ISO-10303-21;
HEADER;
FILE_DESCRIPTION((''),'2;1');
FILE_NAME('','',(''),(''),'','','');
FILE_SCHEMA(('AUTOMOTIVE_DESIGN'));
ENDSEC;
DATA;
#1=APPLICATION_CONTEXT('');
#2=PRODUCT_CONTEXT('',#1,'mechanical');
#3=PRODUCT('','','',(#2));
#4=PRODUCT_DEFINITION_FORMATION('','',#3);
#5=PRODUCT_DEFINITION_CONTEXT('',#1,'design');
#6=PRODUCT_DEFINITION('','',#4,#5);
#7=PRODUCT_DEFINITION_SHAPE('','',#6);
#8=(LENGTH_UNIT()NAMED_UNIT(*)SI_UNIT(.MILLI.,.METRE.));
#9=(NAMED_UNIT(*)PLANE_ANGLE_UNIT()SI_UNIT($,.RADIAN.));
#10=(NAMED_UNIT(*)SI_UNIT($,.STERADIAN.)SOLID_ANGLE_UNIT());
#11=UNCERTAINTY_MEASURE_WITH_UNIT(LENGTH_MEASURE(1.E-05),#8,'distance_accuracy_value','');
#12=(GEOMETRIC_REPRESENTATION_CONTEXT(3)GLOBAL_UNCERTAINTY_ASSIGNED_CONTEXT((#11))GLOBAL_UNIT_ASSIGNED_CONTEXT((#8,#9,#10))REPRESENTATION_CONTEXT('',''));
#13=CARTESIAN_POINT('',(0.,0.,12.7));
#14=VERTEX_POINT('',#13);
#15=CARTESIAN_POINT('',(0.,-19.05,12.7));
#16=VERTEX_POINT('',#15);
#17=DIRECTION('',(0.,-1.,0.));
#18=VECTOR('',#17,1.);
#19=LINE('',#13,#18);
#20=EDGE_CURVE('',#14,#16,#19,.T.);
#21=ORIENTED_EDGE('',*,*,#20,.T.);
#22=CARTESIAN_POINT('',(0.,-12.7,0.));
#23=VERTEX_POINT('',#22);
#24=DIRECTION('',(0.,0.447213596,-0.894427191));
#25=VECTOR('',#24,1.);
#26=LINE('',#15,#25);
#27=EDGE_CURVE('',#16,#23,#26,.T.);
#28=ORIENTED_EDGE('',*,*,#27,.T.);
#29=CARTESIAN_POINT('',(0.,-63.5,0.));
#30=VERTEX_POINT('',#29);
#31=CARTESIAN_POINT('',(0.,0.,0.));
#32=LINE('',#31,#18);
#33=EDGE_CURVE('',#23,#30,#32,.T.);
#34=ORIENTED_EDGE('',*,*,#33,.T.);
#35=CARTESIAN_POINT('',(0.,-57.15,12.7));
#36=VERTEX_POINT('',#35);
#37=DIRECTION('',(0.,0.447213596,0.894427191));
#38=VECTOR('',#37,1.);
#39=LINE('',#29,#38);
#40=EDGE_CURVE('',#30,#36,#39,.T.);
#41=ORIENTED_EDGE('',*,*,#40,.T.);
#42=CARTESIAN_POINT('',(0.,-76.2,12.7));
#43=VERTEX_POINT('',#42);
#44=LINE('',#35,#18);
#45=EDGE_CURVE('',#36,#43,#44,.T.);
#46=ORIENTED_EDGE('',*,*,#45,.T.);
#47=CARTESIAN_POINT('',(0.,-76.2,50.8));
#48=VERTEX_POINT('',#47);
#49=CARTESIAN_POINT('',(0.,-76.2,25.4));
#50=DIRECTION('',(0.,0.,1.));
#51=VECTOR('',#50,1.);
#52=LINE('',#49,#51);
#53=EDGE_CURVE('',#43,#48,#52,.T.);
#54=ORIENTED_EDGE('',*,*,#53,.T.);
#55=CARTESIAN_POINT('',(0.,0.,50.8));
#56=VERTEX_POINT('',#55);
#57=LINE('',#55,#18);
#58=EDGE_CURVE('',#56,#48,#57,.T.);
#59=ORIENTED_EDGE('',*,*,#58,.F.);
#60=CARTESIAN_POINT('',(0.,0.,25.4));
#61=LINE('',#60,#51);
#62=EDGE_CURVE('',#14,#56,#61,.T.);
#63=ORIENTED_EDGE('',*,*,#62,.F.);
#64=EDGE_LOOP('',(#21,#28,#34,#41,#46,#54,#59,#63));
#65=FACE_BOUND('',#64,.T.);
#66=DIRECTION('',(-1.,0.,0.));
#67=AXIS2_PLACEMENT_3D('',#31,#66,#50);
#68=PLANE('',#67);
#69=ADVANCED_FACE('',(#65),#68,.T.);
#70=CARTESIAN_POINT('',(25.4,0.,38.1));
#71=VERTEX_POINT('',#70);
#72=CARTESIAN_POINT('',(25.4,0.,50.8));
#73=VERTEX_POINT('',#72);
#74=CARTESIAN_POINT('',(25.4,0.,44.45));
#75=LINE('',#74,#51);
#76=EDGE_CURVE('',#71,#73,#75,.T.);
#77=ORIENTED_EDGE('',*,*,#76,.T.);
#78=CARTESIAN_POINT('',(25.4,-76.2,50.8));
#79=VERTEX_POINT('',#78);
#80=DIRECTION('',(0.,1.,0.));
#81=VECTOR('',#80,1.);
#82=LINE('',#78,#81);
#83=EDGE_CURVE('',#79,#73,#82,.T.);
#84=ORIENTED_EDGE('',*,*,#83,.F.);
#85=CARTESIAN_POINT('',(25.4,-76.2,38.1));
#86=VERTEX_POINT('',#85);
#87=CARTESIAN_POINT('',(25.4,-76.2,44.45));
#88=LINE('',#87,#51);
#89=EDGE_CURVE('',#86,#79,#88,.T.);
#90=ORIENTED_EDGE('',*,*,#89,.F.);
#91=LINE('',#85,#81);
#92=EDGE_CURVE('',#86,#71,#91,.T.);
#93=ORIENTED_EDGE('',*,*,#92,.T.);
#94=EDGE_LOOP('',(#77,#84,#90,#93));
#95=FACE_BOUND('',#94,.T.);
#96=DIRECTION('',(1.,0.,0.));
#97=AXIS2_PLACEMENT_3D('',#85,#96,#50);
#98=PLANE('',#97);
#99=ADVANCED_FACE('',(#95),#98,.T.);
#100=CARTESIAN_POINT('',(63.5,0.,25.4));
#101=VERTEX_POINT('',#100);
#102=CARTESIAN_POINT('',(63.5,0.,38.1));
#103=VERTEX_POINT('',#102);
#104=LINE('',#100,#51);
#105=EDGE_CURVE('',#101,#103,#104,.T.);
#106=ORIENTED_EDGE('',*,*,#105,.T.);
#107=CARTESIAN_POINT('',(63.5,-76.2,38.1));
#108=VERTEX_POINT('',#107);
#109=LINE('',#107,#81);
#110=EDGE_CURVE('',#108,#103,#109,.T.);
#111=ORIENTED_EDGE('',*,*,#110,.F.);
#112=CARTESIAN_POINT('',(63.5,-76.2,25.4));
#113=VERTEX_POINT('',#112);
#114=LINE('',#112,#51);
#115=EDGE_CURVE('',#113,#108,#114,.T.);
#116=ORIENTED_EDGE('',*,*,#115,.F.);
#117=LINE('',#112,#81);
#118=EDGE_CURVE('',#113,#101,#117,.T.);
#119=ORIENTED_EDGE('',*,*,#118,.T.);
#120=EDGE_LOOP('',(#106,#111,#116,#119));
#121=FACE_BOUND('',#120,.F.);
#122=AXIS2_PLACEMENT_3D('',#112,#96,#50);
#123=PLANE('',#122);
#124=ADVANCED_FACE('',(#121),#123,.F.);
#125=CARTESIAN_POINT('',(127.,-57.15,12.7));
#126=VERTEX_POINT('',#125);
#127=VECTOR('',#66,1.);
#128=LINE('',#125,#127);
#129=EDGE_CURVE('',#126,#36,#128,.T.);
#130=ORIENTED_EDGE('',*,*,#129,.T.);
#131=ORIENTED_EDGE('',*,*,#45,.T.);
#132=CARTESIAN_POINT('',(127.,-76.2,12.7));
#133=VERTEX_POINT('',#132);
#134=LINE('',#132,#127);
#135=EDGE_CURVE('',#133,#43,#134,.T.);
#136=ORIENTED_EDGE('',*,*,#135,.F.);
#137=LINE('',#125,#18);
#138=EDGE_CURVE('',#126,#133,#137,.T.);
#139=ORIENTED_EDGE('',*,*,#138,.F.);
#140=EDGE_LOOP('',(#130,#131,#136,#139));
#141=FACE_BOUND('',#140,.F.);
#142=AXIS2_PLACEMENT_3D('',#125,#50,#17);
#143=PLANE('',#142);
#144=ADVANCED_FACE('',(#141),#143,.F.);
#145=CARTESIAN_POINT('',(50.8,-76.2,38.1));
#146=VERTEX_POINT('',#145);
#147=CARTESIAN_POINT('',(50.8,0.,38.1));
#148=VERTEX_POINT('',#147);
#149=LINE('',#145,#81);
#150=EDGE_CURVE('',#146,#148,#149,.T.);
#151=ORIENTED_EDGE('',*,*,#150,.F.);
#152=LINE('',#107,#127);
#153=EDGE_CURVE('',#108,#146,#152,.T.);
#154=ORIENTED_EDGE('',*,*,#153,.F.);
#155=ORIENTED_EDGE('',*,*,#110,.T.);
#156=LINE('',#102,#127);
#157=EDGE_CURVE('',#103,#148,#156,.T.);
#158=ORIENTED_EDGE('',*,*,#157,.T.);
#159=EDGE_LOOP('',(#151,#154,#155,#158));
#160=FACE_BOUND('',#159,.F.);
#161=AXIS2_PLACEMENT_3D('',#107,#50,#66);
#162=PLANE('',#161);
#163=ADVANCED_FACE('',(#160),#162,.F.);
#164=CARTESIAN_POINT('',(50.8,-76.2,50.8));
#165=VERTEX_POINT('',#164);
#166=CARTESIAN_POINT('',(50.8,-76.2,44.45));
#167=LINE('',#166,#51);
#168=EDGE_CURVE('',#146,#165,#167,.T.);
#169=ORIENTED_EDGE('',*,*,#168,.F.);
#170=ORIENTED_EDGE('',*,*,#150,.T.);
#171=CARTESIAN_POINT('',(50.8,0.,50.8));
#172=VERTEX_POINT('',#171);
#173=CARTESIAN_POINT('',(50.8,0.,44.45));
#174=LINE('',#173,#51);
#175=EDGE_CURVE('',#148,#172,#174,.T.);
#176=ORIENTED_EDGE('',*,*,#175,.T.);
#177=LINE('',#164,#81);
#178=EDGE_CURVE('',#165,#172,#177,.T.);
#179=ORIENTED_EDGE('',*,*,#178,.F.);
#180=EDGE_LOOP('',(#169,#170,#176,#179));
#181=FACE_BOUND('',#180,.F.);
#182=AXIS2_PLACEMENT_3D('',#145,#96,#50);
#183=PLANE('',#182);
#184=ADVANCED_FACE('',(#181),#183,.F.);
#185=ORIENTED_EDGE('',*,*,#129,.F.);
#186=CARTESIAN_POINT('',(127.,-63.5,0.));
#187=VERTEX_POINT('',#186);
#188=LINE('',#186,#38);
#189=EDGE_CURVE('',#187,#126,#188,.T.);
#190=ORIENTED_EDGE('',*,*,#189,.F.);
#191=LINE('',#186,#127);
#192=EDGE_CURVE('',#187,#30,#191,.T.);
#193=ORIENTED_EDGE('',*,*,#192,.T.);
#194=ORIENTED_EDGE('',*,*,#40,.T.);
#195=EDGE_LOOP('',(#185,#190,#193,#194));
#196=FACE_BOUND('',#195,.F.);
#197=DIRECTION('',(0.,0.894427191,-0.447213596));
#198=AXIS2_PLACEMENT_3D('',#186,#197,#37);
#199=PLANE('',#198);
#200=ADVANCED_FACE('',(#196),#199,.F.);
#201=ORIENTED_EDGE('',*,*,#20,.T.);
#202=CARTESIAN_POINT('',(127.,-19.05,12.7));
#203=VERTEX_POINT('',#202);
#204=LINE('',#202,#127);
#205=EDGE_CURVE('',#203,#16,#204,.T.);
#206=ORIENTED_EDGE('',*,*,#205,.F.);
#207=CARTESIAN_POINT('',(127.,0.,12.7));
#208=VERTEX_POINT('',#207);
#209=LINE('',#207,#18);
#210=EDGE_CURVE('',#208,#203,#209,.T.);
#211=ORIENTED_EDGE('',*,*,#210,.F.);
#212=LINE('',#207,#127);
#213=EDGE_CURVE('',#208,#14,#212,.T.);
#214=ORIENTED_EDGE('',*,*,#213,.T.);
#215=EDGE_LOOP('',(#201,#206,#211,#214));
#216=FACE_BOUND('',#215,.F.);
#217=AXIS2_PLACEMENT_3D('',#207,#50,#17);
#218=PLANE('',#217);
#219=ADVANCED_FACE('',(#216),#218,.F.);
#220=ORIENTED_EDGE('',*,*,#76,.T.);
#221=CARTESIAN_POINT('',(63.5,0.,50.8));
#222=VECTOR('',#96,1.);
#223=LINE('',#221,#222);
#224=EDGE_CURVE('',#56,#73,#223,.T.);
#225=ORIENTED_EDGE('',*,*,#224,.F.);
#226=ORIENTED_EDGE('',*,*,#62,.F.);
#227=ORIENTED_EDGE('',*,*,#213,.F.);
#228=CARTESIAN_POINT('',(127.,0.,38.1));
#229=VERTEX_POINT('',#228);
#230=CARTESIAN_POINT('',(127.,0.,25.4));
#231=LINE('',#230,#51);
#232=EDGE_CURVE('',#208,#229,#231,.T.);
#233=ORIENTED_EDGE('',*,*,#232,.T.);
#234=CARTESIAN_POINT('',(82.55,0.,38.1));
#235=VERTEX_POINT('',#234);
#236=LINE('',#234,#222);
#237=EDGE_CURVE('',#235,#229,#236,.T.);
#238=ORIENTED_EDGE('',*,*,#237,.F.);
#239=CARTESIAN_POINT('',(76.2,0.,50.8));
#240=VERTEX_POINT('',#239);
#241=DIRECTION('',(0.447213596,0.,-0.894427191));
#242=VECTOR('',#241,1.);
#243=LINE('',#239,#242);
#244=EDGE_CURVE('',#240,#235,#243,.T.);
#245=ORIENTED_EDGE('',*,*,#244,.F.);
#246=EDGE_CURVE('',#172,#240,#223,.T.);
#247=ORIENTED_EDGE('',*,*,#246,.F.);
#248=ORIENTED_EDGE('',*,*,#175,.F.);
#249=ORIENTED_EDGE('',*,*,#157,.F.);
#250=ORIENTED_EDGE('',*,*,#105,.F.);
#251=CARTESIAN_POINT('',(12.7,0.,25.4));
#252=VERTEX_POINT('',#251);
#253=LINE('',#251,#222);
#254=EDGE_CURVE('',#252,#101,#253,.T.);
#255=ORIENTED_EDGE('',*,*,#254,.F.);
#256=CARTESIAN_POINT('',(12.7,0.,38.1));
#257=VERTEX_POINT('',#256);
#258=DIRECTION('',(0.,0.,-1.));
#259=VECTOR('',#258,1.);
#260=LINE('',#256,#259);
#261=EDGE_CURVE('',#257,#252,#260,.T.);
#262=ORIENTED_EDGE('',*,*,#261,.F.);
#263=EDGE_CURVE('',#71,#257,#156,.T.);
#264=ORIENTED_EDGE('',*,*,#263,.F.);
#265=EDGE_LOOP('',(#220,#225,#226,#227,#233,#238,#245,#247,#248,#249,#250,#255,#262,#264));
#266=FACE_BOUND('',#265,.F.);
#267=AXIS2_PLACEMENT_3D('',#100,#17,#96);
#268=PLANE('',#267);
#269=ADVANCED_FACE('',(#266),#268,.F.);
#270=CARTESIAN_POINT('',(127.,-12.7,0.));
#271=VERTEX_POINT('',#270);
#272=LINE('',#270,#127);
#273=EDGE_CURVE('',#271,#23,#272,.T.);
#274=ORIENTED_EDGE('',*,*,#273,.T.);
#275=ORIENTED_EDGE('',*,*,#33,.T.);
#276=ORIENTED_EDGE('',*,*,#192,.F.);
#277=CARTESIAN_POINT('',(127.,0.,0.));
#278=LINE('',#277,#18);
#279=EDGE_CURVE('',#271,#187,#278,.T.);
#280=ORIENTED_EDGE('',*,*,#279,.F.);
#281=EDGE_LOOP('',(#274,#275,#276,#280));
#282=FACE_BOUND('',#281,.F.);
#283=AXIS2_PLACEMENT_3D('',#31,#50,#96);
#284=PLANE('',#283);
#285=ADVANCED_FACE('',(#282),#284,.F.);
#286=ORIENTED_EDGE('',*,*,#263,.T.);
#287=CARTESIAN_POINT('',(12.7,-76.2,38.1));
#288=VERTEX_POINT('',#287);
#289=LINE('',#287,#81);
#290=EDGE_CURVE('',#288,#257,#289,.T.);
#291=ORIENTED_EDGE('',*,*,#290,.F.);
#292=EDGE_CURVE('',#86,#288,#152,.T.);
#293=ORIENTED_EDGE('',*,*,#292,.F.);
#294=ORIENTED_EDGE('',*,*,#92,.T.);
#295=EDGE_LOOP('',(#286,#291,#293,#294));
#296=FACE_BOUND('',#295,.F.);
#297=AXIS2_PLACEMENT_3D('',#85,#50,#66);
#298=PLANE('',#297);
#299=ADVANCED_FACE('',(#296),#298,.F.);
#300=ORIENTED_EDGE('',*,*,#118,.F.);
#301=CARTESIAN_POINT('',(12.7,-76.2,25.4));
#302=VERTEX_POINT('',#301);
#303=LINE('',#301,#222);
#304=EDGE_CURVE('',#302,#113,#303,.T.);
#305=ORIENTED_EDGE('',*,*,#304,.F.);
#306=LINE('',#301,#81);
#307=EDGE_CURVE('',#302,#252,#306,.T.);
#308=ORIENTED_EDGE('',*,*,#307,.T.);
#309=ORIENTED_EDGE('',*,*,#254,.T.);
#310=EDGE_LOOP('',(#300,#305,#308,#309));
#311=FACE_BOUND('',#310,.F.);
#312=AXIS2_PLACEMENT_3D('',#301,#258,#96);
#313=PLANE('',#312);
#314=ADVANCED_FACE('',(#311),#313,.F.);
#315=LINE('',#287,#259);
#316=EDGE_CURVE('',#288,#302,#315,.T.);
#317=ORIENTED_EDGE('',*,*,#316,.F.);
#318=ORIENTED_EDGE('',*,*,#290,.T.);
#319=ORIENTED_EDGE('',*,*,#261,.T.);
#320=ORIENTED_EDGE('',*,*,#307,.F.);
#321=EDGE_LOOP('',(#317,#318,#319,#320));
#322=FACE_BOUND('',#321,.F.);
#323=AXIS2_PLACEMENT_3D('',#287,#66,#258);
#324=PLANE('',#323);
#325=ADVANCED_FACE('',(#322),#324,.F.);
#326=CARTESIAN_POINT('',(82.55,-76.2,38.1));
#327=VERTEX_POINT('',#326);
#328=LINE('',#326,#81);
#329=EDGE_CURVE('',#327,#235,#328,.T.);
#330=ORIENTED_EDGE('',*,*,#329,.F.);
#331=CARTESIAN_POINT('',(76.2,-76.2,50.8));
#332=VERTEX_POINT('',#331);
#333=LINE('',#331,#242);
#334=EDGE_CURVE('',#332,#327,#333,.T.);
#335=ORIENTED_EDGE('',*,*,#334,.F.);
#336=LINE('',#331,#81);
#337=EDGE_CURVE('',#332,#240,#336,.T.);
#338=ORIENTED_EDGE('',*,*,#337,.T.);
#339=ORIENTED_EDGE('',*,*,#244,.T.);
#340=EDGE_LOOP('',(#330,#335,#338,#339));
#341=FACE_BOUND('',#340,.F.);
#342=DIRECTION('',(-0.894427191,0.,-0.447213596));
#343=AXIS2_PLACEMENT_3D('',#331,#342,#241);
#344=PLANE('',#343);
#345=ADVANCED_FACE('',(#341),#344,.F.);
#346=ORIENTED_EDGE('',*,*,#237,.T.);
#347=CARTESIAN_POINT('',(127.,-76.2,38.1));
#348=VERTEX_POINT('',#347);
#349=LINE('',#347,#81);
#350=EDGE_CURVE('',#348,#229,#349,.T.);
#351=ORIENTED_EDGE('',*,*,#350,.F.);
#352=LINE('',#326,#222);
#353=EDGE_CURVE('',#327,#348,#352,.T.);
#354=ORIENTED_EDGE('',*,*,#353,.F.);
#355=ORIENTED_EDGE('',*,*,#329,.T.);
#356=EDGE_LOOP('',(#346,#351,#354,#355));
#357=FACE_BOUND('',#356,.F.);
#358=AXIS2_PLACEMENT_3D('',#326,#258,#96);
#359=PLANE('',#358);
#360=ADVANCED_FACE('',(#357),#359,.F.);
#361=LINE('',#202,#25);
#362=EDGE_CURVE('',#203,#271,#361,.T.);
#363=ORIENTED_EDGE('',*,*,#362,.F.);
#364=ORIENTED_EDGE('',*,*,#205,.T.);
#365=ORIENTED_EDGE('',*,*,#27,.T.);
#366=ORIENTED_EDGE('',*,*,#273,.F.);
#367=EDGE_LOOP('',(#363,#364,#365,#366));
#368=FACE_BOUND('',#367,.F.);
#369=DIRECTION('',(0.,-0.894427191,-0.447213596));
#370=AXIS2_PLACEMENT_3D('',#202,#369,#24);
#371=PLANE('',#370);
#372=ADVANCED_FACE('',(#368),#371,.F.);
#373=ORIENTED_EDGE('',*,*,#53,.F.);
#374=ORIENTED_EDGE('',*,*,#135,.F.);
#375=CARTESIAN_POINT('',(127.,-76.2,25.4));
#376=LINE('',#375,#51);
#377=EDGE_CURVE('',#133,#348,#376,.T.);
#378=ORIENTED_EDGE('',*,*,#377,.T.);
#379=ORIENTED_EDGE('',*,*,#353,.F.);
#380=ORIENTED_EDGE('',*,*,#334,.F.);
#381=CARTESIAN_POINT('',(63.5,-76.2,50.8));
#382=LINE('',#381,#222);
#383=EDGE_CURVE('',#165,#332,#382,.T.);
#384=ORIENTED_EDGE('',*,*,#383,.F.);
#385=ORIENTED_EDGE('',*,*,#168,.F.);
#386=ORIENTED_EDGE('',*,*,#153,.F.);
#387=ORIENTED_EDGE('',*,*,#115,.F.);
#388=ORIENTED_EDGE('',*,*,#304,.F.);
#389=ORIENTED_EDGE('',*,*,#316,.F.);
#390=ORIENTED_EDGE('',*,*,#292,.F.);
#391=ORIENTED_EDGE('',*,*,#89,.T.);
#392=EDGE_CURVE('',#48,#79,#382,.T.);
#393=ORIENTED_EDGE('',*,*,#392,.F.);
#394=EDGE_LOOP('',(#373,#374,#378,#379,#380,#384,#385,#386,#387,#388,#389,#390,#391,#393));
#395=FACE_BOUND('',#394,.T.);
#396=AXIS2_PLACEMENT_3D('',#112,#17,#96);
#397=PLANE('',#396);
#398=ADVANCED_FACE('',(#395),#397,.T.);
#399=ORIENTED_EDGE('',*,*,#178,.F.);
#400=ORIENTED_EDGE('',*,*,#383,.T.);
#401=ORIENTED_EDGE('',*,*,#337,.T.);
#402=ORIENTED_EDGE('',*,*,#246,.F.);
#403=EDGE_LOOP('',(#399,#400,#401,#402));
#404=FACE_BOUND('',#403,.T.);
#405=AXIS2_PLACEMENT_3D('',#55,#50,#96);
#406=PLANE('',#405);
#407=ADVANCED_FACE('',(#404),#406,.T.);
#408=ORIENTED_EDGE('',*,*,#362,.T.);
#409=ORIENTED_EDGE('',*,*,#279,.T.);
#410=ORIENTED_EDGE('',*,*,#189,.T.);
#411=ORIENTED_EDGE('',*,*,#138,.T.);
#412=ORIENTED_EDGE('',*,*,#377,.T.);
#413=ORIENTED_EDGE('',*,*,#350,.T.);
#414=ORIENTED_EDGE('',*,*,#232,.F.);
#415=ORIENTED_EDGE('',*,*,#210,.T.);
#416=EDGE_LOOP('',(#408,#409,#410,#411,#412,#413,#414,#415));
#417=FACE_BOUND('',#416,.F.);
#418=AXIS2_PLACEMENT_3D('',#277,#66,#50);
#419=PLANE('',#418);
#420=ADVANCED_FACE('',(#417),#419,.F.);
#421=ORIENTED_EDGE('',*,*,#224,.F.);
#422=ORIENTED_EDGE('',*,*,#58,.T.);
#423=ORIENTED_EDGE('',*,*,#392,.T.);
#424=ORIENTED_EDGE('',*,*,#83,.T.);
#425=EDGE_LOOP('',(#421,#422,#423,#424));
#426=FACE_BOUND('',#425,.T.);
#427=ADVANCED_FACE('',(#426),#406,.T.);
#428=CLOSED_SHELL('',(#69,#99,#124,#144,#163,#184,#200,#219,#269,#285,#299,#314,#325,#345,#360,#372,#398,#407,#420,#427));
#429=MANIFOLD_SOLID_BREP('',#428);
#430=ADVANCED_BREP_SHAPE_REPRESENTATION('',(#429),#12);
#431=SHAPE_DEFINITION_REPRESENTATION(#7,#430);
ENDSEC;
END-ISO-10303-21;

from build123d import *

# Parameters (mm, degrees)
F0_W     = 127
F0_H     = 50.8
F1_DEPTH = 76.2
F2_W     = 25.4
F2_H     = 12.7
F3_DEPTH = 76.2
F5_DEPTH = 76.2
F7_DEPTH = 127


with BuildPart() as f1:
    # F0 (on Front) → F1 (new body)
    with BuildSketch(Plane.XZ):
        with Locations((63.5, 25.4)):
            Rectangle(F0_W, F0_H)
    extrude(amount=F1_DEPTH)

    # F2 (on face) → F3 (cut)
    with BuildSketch(Plane.XZ.offset(76.2)):
        Polygon((12.7, 38.1), (12.7, 25.4), (63.5, 25.4), (63.5, 38.1), (50.8, 38.1), (25.4, 38.1), align=None)
        with Locations((38.1, 44.45)):
            Rectangle(F2_W, F2_H)
    extrude(amount=-F3_DEPTH, mode=Mode.SUBTRACT)

    # F4 (on face) → F5 (cut)
    with BuildSketch(Plane.XZ.offset(76.2)):
        Polygon((127, 50.8), (76.2, 50.8), (82.55, 38.1), (127, 38.1), align=None)
    extrude(amount=-F5_DEPTH, mode=Mode.SUBTRACT)

    # F6 (on face) → F7 (cut)
    with BuildSketch(Plane.YZ.offset(127)):
        Polygon((-57.15, 12.7), (-76.2, 12.7), (-76.2, 0), (-63.5, 0), align=None)
        Polygon((0, 0), (0, 12.7), (-19.05, 12.7), (-12.7, 0), align=None)
    extrude(amount=-F7_DEPTH, mode=Mode.SUBTRACT)


solid = f1.part
